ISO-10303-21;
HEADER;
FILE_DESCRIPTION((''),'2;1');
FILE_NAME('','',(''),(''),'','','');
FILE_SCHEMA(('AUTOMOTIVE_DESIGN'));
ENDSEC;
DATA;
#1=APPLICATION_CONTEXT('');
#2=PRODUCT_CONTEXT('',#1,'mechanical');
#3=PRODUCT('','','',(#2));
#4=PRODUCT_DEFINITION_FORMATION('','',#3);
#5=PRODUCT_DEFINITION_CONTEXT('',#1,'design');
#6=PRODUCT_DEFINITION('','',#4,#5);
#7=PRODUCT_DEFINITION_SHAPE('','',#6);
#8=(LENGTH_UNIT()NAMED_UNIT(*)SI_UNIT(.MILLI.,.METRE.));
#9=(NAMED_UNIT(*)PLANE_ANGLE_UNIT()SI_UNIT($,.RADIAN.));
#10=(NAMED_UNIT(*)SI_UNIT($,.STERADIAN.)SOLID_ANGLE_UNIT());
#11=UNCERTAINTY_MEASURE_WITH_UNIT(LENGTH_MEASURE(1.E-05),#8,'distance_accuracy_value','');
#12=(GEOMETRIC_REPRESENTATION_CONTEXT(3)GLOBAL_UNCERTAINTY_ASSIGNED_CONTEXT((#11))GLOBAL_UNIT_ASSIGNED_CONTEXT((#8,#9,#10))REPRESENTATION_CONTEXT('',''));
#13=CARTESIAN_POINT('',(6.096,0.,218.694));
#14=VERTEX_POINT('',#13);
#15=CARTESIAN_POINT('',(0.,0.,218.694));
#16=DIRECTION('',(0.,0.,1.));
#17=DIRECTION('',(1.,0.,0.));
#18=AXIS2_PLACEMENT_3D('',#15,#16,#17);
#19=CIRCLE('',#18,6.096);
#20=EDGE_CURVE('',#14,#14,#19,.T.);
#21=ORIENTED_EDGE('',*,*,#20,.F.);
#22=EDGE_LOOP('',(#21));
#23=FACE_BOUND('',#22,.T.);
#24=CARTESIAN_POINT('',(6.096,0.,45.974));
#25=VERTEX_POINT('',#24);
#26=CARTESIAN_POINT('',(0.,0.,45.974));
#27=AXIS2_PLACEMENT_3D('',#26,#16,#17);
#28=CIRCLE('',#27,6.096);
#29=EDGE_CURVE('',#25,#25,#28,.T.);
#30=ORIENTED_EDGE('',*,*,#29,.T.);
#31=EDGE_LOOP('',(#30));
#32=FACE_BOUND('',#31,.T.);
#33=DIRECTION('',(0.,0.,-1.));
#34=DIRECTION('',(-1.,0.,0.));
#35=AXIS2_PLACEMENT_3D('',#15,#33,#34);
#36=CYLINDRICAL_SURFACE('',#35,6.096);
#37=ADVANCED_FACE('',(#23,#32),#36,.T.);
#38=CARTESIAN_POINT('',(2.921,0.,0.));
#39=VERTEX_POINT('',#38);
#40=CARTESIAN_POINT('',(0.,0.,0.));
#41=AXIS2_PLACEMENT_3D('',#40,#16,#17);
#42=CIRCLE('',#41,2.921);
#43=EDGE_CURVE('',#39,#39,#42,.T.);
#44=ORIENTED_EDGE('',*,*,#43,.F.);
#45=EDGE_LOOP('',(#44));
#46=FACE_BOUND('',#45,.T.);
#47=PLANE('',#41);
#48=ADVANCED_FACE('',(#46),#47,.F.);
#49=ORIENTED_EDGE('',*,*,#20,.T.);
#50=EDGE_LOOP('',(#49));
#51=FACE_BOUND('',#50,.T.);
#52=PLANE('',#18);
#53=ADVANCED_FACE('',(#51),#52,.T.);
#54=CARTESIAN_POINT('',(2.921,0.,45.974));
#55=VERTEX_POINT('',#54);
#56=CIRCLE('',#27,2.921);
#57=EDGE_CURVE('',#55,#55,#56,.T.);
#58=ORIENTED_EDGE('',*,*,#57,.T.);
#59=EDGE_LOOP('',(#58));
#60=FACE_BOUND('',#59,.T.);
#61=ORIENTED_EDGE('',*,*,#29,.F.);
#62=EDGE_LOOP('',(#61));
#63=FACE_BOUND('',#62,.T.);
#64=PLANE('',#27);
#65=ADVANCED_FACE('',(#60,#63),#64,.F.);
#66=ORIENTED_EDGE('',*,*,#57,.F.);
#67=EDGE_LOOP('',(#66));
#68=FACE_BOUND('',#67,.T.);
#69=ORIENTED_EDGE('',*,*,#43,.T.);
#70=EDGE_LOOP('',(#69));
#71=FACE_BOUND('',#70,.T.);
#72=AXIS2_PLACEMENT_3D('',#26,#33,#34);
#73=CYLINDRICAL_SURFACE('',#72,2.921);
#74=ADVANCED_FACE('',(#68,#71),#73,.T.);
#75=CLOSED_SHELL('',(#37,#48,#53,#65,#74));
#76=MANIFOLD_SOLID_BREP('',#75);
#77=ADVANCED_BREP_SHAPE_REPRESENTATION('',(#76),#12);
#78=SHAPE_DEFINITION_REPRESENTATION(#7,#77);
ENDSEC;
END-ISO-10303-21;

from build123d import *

# Parameters (mm, degrees)
SKETCH1_R      = 2.921
EXTRUDE1_DEPTH = 45.974
SKETCH2_R      = 6.096
EXTRUDE2_DEPTH = 172.72


with BuildPart() as part:
    # Sketch1 → Extrude1 (new body)
    with BuildSketch(Plane.XY):
        Circle(SKETCH1_R)
    extrude(amount=EXTRUDE1_DEPTH)

    # Sketch2 → Extrude2 (add)
    with BuildSketch(Plane.XY.offset(45.974)):
        Circle(SKETCH2_R)
    extrude(amount=EXTRUDE2_DEPTH)


solid = part.part
